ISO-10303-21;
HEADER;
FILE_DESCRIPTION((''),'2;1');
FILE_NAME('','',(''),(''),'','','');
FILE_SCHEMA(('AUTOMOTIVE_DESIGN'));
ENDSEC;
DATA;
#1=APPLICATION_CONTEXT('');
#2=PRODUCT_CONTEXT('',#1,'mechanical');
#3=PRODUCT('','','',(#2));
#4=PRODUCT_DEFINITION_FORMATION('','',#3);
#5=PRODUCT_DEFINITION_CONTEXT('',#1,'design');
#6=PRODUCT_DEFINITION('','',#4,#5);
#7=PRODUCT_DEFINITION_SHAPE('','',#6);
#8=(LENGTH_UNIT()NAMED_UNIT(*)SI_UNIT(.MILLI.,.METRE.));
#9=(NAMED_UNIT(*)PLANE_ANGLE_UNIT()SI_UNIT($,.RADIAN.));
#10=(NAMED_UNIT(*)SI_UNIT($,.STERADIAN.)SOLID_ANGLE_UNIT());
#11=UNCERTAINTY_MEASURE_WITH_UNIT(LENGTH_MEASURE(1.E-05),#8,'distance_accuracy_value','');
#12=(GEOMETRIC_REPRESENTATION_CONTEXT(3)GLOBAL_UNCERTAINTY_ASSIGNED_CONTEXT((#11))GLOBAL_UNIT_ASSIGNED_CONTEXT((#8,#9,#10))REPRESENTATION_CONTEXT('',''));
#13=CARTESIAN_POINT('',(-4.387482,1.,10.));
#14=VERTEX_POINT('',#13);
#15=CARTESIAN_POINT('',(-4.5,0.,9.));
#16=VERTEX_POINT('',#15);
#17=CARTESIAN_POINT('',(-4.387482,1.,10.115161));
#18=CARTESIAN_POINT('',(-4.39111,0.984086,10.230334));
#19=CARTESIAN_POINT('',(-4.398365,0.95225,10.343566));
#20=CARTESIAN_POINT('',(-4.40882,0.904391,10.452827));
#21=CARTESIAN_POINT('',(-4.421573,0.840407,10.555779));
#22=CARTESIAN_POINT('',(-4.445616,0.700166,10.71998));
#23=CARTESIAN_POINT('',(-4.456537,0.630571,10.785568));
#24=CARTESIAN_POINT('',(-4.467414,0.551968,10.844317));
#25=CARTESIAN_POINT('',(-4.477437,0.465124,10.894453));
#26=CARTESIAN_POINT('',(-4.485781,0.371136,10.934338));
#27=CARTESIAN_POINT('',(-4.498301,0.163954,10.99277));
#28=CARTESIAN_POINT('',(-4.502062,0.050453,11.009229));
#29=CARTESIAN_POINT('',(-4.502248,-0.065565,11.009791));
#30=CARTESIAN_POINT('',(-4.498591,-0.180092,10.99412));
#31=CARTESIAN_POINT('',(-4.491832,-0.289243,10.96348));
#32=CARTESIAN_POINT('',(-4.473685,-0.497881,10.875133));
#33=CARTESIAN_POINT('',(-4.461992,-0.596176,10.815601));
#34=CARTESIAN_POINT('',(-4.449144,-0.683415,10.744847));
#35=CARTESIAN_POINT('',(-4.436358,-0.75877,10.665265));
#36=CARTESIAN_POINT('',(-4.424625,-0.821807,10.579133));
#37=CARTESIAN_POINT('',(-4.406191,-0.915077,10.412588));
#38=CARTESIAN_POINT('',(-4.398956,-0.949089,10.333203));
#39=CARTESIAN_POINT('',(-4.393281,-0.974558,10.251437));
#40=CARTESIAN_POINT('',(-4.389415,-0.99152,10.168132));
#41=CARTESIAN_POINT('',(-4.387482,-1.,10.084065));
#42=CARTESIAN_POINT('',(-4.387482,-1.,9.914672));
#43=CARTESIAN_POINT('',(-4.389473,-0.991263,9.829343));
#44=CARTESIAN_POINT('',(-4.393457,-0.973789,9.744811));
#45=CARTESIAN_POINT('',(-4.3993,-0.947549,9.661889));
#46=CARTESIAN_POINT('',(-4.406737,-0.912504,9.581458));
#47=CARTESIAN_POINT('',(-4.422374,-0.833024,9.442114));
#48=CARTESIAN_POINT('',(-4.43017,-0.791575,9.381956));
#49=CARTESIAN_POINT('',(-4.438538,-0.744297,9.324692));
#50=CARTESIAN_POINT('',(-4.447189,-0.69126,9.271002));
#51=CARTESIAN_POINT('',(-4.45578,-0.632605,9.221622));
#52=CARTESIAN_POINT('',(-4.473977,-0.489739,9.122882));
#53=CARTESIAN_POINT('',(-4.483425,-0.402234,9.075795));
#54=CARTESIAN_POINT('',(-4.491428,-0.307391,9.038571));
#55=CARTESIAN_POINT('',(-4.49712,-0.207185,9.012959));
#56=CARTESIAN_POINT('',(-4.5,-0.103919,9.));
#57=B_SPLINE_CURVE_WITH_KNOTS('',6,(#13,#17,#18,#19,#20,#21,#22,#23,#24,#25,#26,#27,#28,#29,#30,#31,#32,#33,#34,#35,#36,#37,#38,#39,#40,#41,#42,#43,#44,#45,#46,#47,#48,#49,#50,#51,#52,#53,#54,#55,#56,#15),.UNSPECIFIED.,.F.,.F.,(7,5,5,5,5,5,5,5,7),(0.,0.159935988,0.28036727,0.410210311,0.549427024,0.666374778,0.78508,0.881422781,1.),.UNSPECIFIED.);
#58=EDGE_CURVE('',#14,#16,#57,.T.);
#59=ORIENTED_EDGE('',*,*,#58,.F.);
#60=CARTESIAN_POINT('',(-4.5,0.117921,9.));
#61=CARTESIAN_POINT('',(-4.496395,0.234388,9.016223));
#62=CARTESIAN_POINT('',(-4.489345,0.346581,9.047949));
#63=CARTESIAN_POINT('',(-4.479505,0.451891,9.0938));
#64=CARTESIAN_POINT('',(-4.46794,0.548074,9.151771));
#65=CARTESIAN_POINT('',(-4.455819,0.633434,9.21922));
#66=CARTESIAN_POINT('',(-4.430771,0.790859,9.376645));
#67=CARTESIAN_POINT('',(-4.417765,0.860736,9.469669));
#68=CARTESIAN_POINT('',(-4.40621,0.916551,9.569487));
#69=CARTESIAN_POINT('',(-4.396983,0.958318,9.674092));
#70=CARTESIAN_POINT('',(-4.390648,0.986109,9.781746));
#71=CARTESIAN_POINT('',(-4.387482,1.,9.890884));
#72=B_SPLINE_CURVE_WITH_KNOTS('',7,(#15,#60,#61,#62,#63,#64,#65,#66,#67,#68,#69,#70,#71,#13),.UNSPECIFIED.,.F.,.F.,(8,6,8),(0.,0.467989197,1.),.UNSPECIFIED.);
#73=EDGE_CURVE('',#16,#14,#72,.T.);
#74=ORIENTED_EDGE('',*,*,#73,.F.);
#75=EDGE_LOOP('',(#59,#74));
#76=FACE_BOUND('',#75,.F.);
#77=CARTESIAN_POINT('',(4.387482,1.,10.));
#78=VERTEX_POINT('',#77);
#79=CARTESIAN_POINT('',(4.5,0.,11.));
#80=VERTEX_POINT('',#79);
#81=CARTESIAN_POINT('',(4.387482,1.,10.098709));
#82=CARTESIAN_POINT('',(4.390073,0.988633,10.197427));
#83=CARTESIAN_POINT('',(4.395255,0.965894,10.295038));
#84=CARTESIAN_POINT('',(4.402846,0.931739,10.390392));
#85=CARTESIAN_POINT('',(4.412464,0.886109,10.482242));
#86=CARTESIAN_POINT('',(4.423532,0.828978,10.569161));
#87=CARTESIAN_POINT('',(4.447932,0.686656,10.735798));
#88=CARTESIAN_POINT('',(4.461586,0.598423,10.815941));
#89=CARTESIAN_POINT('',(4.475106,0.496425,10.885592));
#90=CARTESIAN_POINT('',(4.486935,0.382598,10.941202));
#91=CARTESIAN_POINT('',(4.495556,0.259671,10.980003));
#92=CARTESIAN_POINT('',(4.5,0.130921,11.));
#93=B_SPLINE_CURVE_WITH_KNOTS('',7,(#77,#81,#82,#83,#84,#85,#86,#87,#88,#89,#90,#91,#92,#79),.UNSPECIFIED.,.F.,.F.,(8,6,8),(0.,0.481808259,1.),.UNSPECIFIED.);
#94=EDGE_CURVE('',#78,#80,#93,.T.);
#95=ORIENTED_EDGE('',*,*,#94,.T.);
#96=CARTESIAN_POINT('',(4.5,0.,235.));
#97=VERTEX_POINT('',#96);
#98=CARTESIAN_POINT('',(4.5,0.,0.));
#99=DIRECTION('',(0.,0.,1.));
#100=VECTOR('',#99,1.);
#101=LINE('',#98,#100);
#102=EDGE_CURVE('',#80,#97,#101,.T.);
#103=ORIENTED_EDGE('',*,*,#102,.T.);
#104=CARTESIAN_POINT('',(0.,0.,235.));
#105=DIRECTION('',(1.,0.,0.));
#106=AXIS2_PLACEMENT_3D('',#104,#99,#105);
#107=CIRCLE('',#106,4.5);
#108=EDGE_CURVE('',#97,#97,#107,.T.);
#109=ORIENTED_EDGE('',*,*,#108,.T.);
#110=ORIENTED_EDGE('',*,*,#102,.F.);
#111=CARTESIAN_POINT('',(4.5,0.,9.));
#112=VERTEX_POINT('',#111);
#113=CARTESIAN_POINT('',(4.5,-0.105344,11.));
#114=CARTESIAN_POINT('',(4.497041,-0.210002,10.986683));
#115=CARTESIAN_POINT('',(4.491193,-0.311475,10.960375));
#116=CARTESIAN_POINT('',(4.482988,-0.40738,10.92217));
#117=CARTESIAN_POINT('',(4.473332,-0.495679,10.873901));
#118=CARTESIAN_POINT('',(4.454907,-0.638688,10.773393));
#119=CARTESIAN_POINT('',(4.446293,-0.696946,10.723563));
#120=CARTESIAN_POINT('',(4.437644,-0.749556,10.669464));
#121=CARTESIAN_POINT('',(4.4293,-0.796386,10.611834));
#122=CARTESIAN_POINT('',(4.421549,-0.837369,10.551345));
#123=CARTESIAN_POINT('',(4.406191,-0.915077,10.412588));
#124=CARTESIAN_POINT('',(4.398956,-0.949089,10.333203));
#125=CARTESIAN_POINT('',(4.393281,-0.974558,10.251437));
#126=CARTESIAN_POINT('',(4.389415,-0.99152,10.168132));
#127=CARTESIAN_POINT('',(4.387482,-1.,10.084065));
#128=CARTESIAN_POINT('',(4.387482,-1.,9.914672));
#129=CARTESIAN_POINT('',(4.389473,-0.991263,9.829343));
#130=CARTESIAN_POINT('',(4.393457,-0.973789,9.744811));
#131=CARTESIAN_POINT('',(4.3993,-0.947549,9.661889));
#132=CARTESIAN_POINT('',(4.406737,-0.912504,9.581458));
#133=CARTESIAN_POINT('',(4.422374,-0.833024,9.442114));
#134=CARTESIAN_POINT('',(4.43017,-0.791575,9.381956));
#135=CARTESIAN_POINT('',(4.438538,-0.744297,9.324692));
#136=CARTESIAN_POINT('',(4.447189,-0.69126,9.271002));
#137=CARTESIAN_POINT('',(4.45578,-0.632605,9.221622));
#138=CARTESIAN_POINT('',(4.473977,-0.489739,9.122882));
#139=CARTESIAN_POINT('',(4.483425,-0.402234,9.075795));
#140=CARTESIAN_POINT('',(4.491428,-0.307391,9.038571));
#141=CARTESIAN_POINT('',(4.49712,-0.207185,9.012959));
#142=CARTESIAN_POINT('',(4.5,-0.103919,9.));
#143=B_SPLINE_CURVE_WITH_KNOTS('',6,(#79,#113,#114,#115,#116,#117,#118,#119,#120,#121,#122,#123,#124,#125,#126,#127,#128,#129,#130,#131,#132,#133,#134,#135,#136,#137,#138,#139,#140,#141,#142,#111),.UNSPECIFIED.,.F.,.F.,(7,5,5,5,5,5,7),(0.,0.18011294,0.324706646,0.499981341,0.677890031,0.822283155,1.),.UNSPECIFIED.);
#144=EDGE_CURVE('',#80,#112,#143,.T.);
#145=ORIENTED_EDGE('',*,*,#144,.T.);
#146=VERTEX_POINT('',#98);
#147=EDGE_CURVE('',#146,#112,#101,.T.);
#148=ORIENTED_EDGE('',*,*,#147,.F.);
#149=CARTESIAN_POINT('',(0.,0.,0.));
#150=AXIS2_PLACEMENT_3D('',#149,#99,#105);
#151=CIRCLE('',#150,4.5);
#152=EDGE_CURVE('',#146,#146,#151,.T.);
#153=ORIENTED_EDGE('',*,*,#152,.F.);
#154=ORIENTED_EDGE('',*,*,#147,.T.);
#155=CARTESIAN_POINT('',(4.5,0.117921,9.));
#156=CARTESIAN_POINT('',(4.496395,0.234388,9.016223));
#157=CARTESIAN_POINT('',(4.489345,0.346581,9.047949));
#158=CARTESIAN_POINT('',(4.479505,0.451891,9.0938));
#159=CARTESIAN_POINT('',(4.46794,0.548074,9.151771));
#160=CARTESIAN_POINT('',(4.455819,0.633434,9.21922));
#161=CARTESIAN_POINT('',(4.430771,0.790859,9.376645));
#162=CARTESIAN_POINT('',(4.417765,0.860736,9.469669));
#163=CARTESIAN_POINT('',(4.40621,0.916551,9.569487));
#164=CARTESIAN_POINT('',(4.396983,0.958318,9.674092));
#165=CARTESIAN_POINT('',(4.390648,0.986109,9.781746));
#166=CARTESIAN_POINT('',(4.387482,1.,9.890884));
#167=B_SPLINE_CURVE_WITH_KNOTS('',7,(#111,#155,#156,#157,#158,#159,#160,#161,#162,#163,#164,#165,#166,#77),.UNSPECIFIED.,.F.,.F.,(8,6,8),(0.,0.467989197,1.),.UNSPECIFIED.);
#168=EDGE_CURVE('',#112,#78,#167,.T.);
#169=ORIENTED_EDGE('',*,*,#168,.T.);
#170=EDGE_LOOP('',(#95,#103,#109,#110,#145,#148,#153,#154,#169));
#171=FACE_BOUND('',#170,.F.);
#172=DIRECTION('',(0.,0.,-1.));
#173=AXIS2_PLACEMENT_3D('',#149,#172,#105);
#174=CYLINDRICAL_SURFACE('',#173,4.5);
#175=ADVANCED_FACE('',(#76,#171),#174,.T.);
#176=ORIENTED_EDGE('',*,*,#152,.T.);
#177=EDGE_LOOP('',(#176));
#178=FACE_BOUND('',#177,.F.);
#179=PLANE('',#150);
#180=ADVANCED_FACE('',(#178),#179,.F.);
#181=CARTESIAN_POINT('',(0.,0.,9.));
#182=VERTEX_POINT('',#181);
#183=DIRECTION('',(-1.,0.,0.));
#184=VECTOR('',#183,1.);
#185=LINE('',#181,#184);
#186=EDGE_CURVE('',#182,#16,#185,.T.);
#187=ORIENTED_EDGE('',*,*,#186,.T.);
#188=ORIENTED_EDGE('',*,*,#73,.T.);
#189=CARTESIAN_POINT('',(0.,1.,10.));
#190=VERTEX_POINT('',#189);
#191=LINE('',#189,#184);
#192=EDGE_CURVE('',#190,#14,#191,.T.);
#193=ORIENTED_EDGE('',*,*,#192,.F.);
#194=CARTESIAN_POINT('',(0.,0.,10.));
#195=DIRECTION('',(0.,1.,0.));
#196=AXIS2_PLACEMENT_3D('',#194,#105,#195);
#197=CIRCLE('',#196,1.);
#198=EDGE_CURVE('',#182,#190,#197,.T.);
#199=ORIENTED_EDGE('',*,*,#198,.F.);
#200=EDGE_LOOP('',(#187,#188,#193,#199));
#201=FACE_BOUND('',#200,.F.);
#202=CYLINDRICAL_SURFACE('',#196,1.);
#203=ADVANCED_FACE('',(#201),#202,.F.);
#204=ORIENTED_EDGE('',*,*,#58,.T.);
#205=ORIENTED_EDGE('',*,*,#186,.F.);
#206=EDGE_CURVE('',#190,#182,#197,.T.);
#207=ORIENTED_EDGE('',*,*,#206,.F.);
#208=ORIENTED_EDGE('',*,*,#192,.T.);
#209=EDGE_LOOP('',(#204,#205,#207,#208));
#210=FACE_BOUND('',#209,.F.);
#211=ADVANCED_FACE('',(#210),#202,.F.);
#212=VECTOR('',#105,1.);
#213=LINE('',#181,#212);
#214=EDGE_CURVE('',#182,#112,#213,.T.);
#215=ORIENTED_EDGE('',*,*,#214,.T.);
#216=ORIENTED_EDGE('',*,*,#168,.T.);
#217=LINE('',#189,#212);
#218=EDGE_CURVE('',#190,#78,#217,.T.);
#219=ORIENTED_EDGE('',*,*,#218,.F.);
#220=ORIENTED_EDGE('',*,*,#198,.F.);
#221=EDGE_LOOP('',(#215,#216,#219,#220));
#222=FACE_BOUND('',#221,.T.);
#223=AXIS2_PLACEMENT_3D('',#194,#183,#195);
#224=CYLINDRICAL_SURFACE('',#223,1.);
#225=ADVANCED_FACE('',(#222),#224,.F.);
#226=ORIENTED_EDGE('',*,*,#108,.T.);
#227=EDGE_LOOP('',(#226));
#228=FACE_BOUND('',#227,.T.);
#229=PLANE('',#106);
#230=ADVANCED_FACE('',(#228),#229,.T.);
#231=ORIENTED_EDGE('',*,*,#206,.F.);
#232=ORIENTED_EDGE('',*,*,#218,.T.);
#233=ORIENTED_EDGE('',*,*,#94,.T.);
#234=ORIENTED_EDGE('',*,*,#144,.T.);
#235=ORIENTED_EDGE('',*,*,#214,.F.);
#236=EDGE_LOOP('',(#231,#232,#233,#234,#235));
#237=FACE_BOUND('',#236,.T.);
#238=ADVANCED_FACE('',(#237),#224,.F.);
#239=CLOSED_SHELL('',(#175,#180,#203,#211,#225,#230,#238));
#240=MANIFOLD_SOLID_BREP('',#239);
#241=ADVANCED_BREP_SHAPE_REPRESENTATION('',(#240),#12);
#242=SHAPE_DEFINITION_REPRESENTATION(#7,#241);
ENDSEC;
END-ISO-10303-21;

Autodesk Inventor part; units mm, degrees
ref_plane "YZ Plane" through (0, 0, 0) normal (1, 0, 0) x (0, 1, 0)
ref_plane "XZ Plane" through (0, 0, 0) normal (0, 1, 0) x (-1, 0, 0)
ref_plane "XY Plane" through (0, 0, 0) normal (0, 0, 1) x (1, 0, 0)
sketch "Sketch1" plane through (0, 0, 0) normal (0, 0, 1) x (1, 0, 0)
  circle A0 centre (0, 0) radius 4.5
  dimension "d0" = 9
extrude "Extrusion1" add sketch "Sketch1" along normal blind 235
sketch "Sketch2" plane through (0, 0, 0) normal (1, 0, 0) x (0, 1, 0)
  line L0 (0, 0) -> (0, 1)
  line L1 (0, 0) -> (0, 6.35)
  line L2 (0, 0) -> (-10, 0)
  line L3 (-4.5, 0) -> (4.5, 0) projected
  line L4 (0, 0) -> (0, 9.525)
  line L5 (0, 9.525) -> (0, 0)
  line L6 (0, 0) -> (0, 10)
  circle A0 centre (0, 10) radius 1
  dimension "d3" = 1
  dimension "d4" = 10
  dimension "d5" = 10
  dimension "d6" = 2
extrude "Extrusion2" cut sketch "Sketch2" along normal through all both and the other way through all
thread "Thread1" size "M9x1.25" class "6g" standard "ANSI Metric M Profile" full length
properties part number "without head nut"
